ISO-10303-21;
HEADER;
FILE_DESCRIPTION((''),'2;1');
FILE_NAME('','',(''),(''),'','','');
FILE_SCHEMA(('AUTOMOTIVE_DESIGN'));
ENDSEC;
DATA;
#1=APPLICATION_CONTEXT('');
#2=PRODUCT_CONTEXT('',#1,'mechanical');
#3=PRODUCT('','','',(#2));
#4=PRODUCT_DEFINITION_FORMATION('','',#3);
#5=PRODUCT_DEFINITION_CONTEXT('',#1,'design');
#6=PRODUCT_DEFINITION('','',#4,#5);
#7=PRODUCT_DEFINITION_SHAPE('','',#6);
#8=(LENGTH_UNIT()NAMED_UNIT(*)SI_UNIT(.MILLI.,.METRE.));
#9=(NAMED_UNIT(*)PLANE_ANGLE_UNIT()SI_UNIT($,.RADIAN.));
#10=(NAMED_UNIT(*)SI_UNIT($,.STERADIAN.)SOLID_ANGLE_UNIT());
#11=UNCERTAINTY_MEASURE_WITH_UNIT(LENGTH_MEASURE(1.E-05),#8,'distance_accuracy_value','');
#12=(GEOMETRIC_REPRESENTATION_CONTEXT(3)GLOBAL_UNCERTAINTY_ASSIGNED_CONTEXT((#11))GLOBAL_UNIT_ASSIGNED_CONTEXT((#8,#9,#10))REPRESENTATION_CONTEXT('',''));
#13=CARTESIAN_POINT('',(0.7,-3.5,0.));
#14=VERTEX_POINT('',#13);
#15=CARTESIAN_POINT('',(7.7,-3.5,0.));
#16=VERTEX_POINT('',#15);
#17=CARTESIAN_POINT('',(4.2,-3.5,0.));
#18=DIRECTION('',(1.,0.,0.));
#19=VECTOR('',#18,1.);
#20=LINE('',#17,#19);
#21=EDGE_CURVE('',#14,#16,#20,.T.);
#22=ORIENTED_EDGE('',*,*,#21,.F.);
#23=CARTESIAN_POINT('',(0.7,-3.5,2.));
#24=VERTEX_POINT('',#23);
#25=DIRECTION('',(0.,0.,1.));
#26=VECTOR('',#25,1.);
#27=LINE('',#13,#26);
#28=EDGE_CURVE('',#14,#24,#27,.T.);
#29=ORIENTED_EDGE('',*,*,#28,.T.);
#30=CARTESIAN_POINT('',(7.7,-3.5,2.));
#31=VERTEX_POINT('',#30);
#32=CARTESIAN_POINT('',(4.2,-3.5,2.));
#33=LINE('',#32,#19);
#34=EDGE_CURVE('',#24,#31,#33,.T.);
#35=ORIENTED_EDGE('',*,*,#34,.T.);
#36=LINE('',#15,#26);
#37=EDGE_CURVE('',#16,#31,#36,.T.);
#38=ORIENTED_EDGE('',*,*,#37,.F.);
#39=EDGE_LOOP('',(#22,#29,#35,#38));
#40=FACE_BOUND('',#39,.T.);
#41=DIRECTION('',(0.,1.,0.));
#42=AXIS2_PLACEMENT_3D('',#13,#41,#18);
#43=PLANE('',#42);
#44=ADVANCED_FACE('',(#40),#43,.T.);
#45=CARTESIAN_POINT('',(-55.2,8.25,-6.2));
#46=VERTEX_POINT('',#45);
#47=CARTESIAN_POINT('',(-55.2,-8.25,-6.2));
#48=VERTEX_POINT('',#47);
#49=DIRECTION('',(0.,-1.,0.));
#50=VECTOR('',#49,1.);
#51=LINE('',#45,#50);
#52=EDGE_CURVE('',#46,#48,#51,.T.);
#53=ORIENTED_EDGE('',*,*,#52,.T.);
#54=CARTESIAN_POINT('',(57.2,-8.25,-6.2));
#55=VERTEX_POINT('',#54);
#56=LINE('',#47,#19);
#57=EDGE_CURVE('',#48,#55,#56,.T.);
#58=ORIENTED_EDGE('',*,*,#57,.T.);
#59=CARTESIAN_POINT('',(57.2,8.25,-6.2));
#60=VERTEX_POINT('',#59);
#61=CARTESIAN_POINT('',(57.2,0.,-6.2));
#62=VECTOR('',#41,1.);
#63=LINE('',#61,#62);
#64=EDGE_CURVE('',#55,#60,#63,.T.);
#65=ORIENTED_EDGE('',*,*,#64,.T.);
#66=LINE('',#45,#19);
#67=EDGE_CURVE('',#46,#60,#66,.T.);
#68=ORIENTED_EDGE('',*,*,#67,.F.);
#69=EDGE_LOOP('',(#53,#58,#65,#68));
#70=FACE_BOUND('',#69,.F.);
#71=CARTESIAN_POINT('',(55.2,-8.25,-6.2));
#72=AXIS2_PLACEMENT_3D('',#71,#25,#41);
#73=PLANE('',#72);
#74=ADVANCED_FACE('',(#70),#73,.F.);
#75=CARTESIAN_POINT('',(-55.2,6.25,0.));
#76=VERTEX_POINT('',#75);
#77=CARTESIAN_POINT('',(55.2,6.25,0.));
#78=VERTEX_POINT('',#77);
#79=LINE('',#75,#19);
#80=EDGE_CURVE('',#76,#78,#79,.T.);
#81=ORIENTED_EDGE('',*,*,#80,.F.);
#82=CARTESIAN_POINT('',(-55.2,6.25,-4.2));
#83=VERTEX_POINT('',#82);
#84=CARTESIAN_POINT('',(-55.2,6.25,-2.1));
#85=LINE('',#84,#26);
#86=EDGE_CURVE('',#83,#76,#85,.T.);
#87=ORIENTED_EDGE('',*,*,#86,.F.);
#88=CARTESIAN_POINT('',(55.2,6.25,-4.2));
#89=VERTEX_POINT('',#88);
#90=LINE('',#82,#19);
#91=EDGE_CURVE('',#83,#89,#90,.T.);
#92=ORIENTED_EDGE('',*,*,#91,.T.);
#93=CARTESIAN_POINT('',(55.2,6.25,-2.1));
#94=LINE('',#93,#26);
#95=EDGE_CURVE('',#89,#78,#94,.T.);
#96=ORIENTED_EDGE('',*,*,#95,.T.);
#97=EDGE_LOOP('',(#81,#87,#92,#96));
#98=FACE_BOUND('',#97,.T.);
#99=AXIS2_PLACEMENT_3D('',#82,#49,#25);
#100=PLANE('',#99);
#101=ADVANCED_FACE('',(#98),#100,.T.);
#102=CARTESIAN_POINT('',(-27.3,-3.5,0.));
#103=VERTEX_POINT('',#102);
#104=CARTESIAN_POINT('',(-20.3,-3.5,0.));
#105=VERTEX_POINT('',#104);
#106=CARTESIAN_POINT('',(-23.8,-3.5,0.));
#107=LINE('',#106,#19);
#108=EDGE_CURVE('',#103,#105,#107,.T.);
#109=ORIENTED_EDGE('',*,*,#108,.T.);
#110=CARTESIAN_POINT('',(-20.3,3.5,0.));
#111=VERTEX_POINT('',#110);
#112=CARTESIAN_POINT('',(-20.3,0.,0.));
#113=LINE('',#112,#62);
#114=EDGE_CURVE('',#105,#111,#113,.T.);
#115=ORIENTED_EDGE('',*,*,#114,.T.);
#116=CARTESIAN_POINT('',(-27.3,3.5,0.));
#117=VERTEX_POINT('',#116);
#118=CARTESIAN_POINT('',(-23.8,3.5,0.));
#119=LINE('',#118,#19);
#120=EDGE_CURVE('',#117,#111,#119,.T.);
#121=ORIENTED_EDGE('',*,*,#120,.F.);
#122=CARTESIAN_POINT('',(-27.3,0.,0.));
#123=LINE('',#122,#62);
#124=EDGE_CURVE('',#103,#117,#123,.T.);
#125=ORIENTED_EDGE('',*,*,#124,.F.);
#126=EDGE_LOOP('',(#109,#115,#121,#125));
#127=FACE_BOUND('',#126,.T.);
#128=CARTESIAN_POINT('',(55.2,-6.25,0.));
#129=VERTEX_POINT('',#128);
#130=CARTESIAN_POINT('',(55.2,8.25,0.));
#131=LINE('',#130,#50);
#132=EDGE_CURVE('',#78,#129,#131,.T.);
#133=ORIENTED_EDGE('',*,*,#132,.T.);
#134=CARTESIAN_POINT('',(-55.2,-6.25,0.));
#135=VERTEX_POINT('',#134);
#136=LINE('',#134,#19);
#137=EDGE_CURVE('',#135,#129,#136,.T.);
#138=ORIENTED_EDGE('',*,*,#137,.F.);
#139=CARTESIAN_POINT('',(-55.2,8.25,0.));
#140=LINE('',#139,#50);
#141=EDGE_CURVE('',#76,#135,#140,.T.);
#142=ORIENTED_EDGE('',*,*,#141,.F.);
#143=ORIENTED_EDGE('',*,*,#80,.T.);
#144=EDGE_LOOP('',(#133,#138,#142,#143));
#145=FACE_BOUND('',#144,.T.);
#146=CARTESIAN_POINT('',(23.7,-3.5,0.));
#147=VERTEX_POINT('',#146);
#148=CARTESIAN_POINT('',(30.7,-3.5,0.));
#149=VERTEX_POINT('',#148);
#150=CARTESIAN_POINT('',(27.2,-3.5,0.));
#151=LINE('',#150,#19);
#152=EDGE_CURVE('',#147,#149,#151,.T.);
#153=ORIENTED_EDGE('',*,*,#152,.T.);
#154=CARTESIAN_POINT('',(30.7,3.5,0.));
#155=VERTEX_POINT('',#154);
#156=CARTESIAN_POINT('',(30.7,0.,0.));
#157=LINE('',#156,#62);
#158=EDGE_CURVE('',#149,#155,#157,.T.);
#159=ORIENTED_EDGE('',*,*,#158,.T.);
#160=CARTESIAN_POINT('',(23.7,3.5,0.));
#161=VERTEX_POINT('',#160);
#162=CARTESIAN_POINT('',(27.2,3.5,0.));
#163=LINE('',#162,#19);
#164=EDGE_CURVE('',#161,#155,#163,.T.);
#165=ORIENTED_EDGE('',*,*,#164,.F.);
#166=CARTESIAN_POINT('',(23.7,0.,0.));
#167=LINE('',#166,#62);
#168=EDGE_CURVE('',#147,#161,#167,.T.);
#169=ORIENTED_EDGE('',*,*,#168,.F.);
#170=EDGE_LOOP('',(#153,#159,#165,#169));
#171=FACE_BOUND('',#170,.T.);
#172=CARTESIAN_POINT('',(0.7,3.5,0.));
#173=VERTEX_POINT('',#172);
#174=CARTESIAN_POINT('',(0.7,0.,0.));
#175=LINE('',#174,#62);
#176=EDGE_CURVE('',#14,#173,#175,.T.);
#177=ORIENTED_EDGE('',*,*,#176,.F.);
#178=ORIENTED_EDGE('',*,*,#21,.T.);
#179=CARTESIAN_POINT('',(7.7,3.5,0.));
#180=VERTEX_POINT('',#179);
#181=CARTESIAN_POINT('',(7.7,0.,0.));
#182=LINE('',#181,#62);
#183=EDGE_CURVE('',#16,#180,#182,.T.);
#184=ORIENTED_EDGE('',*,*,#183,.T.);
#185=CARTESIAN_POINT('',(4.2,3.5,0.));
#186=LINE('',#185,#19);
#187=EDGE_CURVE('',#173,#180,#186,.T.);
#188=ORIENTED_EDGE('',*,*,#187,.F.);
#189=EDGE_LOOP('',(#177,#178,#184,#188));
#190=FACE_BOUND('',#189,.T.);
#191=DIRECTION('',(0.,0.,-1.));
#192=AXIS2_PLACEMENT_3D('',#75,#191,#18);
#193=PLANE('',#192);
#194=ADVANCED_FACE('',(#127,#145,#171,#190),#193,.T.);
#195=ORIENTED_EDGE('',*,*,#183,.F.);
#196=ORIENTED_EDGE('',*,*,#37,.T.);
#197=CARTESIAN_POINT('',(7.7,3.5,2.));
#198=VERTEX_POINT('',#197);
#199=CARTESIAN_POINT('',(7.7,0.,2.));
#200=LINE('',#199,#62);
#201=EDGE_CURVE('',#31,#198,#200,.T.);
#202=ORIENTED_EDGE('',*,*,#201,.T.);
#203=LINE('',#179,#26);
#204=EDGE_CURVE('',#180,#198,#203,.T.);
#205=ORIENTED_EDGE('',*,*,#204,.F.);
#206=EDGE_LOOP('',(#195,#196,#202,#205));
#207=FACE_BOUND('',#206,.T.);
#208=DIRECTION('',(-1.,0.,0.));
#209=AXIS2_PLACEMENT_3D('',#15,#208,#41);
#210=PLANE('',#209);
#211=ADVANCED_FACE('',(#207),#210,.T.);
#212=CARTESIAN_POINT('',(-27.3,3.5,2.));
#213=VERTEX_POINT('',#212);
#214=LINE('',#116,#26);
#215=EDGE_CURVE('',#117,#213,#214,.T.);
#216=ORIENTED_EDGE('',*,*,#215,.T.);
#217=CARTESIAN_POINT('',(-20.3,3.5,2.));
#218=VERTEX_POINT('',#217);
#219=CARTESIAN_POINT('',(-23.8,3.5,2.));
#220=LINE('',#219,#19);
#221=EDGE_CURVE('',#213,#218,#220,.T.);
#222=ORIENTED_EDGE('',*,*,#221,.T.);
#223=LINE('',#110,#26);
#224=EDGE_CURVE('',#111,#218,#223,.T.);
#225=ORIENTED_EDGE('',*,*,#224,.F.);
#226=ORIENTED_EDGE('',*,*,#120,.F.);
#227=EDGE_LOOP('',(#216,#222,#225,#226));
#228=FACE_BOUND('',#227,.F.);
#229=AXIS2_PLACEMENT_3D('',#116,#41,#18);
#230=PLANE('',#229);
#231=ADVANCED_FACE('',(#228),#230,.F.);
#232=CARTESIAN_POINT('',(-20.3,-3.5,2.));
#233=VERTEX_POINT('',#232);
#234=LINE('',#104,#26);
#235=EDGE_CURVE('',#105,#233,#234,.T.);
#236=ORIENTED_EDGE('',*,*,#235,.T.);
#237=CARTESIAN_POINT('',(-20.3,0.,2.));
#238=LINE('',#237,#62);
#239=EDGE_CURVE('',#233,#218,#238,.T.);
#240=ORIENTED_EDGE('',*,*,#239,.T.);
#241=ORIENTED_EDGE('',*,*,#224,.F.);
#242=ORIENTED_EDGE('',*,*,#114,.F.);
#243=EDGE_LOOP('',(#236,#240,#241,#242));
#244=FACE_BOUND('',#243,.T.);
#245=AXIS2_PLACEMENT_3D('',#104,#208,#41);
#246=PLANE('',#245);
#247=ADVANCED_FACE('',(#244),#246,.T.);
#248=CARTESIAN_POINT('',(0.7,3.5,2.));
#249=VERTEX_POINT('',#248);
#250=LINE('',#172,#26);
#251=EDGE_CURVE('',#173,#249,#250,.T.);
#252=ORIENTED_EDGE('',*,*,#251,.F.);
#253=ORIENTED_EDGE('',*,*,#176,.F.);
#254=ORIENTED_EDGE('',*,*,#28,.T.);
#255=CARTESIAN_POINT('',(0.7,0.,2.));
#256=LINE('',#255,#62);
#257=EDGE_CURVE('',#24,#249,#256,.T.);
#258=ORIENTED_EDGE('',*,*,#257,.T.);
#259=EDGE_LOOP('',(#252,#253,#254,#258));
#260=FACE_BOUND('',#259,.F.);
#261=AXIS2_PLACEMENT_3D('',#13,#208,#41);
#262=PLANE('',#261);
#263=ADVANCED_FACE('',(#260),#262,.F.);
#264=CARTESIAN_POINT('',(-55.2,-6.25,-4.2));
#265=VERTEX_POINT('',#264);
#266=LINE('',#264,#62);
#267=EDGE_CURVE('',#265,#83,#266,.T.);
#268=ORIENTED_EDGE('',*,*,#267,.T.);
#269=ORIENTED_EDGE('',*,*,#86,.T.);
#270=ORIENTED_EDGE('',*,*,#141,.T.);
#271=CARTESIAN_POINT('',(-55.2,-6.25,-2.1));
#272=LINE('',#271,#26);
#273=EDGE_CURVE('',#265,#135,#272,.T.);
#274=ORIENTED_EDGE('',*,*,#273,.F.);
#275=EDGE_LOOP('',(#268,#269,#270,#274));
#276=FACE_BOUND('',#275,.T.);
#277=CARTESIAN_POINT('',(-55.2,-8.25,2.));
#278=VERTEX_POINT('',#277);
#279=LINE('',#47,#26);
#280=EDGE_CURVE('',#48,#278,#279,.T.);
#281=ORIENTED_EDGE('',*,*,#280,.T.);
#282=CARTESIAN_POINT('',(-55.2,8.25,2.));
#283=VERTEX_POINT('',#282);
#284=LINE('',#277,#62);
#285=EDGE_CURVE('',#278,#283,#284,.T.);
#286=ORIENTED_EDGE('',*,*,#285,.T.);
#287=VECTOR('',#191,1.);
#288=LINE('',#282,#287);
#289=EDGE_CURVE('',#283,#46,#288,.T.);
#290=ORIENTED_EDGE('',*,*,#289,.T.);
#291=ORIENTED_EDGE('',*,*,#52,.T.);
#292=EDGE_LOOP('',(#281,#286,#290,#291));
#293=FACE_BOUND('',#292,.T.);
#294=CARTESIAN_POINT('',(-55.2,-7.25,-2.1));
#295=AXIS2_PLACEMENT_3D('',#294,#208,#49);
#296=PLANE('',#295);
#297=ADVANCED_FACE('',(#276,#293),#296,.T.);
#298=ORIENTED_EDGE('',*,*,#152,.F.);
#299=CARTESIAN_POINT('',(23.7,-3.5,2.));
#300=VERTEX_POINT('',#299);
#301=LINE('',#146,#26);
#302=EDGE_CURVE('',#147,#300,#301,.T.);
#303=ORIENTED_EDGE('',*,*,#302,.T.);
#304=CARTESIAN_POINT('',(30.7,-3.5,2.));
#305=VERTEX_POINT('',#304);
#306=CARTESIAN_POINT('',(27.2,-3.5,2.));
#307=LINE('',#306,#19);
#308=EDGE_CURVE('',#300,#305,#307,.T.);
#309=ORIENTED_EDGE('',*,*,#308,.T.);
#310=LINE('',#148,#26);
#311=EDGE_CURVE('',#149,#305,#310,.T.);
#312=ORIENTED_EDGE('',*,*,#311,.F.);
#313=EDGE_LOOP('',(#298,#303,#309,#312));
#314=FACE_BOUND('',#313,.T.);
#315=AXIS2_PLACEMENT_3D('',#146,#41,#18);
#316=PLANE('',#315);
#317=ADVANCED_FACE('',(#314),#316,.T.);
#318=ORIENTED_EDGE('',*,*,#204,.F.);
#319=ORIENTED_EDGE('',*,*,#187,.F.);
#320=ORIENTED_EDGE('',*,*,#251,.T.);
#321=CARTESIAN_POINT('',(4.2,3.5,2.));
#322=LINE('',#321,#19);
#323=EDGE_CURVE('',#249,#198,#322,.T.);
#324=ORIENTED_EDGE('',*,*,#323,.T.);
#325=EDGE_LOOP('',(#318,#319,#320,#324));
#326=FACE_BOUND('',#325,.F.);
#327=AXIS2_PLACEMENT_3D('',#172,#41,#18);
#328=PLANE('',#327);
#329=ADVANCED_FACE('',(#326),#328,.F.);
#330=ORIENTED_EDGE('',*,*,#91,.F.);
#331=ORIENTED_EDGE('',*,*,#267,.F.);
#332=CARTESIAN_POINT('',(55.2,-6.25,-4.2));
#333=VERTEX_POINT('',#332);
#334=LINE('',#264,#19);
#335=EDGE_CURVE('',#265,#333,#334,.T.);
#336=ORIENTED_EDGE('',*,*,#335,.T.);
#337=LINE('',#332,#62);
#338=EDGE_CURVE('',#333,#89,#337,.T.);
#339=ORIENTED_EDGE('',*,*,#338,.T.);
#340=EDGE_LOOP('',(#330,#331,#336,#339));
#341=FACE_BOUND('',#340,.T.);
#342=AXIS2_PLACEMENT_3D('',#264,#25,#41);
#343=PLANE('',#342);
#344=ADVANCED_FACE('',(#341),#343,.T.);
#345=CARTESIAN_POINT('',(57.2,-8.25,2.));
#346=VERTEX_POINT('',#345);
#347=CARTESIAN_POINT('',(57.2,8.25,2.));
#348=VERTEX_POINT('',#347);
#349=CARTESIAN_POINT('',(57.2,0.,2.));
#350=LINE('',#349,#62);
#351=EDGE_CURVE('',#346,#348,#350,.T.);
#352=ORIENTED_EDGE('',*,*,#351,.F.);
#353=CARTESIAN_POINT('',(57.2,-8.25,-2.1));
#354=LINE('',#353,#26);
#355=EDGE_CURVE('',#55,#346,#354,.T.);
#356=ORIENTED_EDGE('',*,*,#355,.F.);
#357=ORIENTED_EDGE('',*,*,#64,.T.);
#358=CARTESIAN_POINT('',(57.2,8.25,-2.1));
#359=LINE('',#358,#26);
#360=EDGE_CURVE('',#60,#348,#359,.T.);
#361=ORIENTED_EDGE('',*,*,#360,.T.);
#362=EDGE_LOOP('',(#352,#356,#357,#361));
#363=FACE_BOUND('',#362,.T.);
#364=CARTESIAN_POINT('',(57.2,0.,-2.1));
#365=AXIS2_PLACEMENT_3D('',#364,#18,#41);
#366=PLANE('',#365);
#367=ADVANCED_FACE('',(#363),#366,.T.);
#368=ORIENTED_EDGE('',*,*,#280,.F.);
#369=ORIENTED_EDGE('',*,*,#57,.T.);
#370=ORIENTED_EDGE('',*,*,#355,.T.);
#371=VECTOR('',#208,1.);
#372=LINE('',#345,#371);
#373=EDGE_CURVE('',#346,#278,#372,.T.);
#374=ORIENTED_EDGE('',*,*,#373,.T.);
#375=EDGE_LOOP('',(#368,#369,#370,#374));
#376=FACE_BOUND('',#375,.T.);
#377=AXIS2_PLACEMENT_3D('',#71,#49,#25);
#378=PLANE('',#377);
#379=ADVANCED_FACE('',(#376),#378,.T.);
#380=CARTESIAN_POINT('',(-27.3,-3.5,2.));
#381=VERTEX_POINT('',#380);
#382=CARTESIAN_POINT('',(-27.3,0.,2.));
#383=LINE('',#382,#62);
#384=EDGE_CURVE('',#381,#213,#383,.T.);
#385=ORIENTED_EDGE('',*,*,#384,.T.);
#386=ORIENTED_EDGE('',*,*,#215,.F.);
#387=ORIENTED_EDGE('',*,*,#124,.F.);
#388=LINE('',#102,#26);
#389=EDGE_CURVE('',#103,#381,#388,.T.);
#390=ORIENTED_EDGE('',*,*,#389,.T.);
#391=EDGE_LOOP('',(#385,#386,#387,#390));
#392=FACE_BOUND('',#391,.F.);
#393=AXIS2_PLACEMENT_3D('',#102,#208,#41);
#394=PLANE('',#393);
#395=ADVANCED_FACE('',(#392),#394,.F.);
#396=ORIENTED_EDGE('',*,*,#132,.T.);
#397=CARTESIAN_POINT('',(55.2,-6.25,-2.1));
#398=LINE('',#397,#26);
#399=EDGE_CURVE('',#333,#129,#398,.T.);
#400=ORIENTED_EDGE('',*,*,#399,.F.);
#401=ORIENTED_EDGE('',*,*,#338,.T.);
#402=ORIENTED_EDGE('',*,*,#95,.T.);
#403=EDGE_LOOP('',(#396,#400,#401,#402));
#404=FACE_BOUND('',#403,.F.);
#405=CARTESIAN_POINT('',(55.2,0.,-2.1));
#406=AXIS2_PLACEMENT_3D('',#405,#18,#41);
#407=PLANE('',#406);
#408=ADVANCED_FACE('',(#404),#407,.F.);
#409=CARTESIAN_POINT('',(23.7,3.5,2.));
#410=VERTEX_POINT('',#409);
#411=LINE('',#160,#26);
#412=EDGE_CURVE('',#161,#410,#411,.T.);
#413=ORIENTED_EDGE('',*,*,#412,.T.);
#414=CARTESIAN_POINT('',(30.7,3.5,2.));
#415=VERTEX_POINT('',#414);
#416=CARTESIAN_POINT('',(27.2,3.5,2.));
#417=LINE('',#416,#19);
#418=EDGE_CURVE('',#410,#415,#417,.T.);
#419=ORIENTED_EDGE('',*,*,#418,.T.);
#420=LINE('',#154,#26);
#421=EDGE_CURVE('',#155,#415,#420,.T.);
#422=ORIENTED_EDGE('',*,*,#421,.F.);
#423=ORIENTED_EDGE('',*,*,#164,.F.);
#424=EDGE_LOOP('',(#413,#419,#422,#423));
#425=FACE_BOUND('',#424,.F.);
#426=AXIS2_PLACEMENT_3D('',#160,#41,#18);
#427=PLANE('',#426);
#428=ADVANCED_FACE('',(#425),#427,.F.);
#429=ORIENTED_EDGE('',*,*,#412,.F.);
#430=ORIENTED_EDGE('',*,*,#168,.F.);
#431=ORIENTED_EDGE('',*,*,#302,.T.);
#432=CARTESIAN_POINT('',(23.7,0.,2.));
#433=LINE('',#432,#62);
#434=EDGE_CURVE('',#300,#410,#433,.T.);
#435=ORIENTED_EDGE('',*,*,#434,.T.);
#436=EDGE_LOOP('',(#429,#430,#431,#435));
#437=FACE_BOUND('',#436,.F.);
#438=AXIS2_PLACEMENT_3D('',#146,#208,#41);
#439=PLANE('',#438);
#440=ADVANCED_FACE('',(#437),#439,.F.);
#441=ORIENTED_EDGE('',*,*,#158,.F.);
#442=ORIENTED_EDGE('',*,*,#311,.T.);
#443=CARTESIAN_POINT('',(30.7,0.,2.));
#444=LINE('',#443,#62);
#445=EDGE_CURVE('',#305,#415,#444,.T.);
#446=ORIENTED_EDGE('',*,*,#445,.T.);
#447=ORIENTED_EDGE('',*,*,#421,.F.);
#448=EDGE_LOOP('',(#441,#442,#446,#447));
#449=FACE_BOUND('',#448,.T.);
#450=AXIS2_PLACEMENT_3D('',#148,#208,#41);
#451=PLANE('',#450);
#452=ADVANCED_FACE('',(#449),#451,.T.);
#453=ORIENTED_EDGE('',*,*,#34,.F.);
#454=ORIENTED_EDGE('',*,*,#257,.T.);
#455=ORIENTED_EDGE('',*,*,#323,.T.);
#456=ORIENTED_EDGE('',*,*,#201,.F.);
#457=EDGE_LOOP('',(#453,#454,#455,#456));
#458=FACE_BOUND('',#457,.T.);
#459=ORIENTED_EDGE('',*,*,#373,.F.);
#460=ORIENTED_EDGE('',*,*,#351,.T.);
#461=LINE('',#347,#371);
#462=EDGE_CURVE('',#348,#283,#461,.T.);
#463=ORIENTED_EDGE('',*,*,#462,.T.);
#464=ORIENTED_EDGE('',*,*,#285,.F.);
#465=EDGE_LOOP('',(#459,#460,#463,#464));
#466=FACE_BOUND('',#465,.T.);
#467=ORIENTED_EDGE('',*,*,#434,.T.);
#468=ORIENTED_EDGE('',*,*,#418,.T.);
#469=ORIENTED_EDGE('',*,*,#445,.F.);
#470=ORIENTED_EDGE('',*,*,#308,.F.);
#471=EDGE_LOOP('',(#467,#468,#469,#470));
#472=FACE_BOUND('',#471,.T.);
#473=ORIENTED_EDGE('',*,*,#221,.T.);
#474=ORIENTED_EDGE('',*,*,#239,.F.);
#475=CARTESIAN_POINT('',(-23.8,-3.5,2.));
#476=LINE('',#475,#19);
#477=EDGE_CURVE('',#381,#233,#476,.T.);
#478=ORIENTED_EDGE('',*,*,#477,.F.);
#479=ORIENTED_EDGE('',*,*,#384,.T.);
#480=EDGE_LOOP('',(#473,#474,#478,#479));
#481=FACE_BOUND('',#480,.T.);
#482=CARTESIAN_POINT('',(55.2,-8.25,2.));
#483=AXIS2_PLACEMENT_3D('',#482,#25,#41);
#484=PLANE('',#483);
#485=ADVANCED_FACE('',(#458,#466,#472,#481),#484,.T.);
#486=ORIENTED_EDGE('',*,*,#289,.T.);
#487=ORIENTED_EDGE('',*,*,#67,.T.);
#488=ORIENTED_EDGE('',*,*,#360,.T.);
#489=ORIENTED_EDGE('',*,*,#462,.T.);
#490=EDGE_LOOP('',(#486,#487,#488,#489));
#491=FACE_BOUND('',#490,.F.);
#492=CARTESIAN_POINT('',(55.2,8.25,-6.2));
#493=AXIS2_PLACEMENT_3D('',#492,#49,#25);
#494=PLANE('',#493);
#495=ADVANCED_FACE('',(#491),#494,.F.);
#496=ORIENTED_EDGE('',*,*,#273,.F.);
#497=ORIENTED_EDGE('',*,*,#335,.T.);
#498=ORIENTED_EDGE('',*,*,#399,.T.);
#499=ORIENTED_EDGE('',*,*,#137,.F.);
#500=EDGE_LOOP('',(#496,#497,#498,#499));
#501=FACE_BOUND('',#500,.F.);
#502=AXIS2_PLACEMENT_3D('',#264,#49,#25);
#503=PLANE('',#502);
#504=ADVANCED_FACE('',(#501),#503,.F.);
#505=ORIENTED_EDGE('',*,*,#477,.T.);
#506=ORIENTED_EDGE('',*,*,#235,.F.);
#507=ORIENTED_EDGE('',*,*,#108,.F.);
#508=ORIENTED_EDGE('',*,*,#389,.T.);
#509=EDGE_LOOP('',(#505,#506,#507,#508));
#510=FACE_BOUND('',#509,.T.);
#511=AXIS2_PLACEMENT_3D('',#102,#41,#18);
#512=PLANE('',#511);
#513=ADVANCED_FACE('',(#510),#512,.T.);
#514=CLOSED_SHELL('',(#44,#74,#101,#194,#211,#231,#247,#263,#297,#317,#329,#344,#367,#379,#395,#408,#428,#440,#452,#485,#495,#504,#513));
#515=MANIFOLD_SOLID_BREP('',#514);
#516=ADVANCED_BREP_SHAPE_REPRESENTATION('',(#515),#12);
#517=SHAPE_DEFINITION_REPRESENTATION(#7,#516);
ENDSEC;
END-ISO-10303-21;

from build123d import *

# Parameters (mm, degrees)
F2_W     = 110.4
F2_H     = 12.5
F2_W_2   = 7
F2_H_2   = 7
F3_DEPTH = 2
F4_DEPTH = 2
F5_DEPTH = 2
F6_W     = 2
F6_H     = 4.2
F7_DEPTH = 110.4
F8_W     = 16.5
F8_H     = 8.2
F9_DEPTH = 2


with BuildPart() as f3:
    # F2 (on Top) → F3 (new body)
    with BuildSketch(Plane.XY):
        Rectangle(F2_W, F2_H)
        with Locations((-23.8, 0)):
            Rectangle(F2_W_2, F2_H_2, mode=Mode.SUBTRACT)
        with Locations((4.2, 0)):
            Rectangle(F2_W_2, F2_H_2, mode=Mode.SUBTRACT)
        with Locations((27.2, 0)):
            Rectangle(F2_W_2, F2_H_2, mode=Mode.SUBTRACT)
    extrude(amount=F3_DEPTH)

    # F4 (add): a face of the model
    f4_faces = [f3.faces().sort_by_distance(p)[0] for p in [
        (0, -6.25, 1),
    ]]
    extrude(f4_faces, amount=F4_DEPTH)

    # F5 (add): a face of the model
    f5_faces = [f3.faces().sort_by_distance(p)[0] for p in [
        (0, 6.25, 1),
    ]]
    extrude(f5_faces, amount=F5_DEPTH)

    # F6 (on face) → F7 (join)
    with BuildSketch(Plane(origin=(-55.2, 0, 0), x_dir=(0, -1, 0), z_dir=(-1, 0, 0))):
        with Locations((7.25, -2.1)):
            Rectangle(F6_W, F6_H)
        Polygon((-6.25, -4.2), (-8.25, -4.2), (-8.25, -6.2), (8.25, -6.2), (8.25, -4.2), (6.25, -4.2), align=None)
        with Locations((-7.25, -2.1)):
            Rectangle(F6_W, F6_H)
    extrude(amount=-F7_DEPTH)

    # F8 (on face) → F9 (join)
    with BuildSketch(Plane.YZ.offset(55.2)):
        with Locations((0, -2.1)):
            Rectangle(F8_W, F8_H)
    extrude(amount=F9_DEPTH)


solid = f3.part
